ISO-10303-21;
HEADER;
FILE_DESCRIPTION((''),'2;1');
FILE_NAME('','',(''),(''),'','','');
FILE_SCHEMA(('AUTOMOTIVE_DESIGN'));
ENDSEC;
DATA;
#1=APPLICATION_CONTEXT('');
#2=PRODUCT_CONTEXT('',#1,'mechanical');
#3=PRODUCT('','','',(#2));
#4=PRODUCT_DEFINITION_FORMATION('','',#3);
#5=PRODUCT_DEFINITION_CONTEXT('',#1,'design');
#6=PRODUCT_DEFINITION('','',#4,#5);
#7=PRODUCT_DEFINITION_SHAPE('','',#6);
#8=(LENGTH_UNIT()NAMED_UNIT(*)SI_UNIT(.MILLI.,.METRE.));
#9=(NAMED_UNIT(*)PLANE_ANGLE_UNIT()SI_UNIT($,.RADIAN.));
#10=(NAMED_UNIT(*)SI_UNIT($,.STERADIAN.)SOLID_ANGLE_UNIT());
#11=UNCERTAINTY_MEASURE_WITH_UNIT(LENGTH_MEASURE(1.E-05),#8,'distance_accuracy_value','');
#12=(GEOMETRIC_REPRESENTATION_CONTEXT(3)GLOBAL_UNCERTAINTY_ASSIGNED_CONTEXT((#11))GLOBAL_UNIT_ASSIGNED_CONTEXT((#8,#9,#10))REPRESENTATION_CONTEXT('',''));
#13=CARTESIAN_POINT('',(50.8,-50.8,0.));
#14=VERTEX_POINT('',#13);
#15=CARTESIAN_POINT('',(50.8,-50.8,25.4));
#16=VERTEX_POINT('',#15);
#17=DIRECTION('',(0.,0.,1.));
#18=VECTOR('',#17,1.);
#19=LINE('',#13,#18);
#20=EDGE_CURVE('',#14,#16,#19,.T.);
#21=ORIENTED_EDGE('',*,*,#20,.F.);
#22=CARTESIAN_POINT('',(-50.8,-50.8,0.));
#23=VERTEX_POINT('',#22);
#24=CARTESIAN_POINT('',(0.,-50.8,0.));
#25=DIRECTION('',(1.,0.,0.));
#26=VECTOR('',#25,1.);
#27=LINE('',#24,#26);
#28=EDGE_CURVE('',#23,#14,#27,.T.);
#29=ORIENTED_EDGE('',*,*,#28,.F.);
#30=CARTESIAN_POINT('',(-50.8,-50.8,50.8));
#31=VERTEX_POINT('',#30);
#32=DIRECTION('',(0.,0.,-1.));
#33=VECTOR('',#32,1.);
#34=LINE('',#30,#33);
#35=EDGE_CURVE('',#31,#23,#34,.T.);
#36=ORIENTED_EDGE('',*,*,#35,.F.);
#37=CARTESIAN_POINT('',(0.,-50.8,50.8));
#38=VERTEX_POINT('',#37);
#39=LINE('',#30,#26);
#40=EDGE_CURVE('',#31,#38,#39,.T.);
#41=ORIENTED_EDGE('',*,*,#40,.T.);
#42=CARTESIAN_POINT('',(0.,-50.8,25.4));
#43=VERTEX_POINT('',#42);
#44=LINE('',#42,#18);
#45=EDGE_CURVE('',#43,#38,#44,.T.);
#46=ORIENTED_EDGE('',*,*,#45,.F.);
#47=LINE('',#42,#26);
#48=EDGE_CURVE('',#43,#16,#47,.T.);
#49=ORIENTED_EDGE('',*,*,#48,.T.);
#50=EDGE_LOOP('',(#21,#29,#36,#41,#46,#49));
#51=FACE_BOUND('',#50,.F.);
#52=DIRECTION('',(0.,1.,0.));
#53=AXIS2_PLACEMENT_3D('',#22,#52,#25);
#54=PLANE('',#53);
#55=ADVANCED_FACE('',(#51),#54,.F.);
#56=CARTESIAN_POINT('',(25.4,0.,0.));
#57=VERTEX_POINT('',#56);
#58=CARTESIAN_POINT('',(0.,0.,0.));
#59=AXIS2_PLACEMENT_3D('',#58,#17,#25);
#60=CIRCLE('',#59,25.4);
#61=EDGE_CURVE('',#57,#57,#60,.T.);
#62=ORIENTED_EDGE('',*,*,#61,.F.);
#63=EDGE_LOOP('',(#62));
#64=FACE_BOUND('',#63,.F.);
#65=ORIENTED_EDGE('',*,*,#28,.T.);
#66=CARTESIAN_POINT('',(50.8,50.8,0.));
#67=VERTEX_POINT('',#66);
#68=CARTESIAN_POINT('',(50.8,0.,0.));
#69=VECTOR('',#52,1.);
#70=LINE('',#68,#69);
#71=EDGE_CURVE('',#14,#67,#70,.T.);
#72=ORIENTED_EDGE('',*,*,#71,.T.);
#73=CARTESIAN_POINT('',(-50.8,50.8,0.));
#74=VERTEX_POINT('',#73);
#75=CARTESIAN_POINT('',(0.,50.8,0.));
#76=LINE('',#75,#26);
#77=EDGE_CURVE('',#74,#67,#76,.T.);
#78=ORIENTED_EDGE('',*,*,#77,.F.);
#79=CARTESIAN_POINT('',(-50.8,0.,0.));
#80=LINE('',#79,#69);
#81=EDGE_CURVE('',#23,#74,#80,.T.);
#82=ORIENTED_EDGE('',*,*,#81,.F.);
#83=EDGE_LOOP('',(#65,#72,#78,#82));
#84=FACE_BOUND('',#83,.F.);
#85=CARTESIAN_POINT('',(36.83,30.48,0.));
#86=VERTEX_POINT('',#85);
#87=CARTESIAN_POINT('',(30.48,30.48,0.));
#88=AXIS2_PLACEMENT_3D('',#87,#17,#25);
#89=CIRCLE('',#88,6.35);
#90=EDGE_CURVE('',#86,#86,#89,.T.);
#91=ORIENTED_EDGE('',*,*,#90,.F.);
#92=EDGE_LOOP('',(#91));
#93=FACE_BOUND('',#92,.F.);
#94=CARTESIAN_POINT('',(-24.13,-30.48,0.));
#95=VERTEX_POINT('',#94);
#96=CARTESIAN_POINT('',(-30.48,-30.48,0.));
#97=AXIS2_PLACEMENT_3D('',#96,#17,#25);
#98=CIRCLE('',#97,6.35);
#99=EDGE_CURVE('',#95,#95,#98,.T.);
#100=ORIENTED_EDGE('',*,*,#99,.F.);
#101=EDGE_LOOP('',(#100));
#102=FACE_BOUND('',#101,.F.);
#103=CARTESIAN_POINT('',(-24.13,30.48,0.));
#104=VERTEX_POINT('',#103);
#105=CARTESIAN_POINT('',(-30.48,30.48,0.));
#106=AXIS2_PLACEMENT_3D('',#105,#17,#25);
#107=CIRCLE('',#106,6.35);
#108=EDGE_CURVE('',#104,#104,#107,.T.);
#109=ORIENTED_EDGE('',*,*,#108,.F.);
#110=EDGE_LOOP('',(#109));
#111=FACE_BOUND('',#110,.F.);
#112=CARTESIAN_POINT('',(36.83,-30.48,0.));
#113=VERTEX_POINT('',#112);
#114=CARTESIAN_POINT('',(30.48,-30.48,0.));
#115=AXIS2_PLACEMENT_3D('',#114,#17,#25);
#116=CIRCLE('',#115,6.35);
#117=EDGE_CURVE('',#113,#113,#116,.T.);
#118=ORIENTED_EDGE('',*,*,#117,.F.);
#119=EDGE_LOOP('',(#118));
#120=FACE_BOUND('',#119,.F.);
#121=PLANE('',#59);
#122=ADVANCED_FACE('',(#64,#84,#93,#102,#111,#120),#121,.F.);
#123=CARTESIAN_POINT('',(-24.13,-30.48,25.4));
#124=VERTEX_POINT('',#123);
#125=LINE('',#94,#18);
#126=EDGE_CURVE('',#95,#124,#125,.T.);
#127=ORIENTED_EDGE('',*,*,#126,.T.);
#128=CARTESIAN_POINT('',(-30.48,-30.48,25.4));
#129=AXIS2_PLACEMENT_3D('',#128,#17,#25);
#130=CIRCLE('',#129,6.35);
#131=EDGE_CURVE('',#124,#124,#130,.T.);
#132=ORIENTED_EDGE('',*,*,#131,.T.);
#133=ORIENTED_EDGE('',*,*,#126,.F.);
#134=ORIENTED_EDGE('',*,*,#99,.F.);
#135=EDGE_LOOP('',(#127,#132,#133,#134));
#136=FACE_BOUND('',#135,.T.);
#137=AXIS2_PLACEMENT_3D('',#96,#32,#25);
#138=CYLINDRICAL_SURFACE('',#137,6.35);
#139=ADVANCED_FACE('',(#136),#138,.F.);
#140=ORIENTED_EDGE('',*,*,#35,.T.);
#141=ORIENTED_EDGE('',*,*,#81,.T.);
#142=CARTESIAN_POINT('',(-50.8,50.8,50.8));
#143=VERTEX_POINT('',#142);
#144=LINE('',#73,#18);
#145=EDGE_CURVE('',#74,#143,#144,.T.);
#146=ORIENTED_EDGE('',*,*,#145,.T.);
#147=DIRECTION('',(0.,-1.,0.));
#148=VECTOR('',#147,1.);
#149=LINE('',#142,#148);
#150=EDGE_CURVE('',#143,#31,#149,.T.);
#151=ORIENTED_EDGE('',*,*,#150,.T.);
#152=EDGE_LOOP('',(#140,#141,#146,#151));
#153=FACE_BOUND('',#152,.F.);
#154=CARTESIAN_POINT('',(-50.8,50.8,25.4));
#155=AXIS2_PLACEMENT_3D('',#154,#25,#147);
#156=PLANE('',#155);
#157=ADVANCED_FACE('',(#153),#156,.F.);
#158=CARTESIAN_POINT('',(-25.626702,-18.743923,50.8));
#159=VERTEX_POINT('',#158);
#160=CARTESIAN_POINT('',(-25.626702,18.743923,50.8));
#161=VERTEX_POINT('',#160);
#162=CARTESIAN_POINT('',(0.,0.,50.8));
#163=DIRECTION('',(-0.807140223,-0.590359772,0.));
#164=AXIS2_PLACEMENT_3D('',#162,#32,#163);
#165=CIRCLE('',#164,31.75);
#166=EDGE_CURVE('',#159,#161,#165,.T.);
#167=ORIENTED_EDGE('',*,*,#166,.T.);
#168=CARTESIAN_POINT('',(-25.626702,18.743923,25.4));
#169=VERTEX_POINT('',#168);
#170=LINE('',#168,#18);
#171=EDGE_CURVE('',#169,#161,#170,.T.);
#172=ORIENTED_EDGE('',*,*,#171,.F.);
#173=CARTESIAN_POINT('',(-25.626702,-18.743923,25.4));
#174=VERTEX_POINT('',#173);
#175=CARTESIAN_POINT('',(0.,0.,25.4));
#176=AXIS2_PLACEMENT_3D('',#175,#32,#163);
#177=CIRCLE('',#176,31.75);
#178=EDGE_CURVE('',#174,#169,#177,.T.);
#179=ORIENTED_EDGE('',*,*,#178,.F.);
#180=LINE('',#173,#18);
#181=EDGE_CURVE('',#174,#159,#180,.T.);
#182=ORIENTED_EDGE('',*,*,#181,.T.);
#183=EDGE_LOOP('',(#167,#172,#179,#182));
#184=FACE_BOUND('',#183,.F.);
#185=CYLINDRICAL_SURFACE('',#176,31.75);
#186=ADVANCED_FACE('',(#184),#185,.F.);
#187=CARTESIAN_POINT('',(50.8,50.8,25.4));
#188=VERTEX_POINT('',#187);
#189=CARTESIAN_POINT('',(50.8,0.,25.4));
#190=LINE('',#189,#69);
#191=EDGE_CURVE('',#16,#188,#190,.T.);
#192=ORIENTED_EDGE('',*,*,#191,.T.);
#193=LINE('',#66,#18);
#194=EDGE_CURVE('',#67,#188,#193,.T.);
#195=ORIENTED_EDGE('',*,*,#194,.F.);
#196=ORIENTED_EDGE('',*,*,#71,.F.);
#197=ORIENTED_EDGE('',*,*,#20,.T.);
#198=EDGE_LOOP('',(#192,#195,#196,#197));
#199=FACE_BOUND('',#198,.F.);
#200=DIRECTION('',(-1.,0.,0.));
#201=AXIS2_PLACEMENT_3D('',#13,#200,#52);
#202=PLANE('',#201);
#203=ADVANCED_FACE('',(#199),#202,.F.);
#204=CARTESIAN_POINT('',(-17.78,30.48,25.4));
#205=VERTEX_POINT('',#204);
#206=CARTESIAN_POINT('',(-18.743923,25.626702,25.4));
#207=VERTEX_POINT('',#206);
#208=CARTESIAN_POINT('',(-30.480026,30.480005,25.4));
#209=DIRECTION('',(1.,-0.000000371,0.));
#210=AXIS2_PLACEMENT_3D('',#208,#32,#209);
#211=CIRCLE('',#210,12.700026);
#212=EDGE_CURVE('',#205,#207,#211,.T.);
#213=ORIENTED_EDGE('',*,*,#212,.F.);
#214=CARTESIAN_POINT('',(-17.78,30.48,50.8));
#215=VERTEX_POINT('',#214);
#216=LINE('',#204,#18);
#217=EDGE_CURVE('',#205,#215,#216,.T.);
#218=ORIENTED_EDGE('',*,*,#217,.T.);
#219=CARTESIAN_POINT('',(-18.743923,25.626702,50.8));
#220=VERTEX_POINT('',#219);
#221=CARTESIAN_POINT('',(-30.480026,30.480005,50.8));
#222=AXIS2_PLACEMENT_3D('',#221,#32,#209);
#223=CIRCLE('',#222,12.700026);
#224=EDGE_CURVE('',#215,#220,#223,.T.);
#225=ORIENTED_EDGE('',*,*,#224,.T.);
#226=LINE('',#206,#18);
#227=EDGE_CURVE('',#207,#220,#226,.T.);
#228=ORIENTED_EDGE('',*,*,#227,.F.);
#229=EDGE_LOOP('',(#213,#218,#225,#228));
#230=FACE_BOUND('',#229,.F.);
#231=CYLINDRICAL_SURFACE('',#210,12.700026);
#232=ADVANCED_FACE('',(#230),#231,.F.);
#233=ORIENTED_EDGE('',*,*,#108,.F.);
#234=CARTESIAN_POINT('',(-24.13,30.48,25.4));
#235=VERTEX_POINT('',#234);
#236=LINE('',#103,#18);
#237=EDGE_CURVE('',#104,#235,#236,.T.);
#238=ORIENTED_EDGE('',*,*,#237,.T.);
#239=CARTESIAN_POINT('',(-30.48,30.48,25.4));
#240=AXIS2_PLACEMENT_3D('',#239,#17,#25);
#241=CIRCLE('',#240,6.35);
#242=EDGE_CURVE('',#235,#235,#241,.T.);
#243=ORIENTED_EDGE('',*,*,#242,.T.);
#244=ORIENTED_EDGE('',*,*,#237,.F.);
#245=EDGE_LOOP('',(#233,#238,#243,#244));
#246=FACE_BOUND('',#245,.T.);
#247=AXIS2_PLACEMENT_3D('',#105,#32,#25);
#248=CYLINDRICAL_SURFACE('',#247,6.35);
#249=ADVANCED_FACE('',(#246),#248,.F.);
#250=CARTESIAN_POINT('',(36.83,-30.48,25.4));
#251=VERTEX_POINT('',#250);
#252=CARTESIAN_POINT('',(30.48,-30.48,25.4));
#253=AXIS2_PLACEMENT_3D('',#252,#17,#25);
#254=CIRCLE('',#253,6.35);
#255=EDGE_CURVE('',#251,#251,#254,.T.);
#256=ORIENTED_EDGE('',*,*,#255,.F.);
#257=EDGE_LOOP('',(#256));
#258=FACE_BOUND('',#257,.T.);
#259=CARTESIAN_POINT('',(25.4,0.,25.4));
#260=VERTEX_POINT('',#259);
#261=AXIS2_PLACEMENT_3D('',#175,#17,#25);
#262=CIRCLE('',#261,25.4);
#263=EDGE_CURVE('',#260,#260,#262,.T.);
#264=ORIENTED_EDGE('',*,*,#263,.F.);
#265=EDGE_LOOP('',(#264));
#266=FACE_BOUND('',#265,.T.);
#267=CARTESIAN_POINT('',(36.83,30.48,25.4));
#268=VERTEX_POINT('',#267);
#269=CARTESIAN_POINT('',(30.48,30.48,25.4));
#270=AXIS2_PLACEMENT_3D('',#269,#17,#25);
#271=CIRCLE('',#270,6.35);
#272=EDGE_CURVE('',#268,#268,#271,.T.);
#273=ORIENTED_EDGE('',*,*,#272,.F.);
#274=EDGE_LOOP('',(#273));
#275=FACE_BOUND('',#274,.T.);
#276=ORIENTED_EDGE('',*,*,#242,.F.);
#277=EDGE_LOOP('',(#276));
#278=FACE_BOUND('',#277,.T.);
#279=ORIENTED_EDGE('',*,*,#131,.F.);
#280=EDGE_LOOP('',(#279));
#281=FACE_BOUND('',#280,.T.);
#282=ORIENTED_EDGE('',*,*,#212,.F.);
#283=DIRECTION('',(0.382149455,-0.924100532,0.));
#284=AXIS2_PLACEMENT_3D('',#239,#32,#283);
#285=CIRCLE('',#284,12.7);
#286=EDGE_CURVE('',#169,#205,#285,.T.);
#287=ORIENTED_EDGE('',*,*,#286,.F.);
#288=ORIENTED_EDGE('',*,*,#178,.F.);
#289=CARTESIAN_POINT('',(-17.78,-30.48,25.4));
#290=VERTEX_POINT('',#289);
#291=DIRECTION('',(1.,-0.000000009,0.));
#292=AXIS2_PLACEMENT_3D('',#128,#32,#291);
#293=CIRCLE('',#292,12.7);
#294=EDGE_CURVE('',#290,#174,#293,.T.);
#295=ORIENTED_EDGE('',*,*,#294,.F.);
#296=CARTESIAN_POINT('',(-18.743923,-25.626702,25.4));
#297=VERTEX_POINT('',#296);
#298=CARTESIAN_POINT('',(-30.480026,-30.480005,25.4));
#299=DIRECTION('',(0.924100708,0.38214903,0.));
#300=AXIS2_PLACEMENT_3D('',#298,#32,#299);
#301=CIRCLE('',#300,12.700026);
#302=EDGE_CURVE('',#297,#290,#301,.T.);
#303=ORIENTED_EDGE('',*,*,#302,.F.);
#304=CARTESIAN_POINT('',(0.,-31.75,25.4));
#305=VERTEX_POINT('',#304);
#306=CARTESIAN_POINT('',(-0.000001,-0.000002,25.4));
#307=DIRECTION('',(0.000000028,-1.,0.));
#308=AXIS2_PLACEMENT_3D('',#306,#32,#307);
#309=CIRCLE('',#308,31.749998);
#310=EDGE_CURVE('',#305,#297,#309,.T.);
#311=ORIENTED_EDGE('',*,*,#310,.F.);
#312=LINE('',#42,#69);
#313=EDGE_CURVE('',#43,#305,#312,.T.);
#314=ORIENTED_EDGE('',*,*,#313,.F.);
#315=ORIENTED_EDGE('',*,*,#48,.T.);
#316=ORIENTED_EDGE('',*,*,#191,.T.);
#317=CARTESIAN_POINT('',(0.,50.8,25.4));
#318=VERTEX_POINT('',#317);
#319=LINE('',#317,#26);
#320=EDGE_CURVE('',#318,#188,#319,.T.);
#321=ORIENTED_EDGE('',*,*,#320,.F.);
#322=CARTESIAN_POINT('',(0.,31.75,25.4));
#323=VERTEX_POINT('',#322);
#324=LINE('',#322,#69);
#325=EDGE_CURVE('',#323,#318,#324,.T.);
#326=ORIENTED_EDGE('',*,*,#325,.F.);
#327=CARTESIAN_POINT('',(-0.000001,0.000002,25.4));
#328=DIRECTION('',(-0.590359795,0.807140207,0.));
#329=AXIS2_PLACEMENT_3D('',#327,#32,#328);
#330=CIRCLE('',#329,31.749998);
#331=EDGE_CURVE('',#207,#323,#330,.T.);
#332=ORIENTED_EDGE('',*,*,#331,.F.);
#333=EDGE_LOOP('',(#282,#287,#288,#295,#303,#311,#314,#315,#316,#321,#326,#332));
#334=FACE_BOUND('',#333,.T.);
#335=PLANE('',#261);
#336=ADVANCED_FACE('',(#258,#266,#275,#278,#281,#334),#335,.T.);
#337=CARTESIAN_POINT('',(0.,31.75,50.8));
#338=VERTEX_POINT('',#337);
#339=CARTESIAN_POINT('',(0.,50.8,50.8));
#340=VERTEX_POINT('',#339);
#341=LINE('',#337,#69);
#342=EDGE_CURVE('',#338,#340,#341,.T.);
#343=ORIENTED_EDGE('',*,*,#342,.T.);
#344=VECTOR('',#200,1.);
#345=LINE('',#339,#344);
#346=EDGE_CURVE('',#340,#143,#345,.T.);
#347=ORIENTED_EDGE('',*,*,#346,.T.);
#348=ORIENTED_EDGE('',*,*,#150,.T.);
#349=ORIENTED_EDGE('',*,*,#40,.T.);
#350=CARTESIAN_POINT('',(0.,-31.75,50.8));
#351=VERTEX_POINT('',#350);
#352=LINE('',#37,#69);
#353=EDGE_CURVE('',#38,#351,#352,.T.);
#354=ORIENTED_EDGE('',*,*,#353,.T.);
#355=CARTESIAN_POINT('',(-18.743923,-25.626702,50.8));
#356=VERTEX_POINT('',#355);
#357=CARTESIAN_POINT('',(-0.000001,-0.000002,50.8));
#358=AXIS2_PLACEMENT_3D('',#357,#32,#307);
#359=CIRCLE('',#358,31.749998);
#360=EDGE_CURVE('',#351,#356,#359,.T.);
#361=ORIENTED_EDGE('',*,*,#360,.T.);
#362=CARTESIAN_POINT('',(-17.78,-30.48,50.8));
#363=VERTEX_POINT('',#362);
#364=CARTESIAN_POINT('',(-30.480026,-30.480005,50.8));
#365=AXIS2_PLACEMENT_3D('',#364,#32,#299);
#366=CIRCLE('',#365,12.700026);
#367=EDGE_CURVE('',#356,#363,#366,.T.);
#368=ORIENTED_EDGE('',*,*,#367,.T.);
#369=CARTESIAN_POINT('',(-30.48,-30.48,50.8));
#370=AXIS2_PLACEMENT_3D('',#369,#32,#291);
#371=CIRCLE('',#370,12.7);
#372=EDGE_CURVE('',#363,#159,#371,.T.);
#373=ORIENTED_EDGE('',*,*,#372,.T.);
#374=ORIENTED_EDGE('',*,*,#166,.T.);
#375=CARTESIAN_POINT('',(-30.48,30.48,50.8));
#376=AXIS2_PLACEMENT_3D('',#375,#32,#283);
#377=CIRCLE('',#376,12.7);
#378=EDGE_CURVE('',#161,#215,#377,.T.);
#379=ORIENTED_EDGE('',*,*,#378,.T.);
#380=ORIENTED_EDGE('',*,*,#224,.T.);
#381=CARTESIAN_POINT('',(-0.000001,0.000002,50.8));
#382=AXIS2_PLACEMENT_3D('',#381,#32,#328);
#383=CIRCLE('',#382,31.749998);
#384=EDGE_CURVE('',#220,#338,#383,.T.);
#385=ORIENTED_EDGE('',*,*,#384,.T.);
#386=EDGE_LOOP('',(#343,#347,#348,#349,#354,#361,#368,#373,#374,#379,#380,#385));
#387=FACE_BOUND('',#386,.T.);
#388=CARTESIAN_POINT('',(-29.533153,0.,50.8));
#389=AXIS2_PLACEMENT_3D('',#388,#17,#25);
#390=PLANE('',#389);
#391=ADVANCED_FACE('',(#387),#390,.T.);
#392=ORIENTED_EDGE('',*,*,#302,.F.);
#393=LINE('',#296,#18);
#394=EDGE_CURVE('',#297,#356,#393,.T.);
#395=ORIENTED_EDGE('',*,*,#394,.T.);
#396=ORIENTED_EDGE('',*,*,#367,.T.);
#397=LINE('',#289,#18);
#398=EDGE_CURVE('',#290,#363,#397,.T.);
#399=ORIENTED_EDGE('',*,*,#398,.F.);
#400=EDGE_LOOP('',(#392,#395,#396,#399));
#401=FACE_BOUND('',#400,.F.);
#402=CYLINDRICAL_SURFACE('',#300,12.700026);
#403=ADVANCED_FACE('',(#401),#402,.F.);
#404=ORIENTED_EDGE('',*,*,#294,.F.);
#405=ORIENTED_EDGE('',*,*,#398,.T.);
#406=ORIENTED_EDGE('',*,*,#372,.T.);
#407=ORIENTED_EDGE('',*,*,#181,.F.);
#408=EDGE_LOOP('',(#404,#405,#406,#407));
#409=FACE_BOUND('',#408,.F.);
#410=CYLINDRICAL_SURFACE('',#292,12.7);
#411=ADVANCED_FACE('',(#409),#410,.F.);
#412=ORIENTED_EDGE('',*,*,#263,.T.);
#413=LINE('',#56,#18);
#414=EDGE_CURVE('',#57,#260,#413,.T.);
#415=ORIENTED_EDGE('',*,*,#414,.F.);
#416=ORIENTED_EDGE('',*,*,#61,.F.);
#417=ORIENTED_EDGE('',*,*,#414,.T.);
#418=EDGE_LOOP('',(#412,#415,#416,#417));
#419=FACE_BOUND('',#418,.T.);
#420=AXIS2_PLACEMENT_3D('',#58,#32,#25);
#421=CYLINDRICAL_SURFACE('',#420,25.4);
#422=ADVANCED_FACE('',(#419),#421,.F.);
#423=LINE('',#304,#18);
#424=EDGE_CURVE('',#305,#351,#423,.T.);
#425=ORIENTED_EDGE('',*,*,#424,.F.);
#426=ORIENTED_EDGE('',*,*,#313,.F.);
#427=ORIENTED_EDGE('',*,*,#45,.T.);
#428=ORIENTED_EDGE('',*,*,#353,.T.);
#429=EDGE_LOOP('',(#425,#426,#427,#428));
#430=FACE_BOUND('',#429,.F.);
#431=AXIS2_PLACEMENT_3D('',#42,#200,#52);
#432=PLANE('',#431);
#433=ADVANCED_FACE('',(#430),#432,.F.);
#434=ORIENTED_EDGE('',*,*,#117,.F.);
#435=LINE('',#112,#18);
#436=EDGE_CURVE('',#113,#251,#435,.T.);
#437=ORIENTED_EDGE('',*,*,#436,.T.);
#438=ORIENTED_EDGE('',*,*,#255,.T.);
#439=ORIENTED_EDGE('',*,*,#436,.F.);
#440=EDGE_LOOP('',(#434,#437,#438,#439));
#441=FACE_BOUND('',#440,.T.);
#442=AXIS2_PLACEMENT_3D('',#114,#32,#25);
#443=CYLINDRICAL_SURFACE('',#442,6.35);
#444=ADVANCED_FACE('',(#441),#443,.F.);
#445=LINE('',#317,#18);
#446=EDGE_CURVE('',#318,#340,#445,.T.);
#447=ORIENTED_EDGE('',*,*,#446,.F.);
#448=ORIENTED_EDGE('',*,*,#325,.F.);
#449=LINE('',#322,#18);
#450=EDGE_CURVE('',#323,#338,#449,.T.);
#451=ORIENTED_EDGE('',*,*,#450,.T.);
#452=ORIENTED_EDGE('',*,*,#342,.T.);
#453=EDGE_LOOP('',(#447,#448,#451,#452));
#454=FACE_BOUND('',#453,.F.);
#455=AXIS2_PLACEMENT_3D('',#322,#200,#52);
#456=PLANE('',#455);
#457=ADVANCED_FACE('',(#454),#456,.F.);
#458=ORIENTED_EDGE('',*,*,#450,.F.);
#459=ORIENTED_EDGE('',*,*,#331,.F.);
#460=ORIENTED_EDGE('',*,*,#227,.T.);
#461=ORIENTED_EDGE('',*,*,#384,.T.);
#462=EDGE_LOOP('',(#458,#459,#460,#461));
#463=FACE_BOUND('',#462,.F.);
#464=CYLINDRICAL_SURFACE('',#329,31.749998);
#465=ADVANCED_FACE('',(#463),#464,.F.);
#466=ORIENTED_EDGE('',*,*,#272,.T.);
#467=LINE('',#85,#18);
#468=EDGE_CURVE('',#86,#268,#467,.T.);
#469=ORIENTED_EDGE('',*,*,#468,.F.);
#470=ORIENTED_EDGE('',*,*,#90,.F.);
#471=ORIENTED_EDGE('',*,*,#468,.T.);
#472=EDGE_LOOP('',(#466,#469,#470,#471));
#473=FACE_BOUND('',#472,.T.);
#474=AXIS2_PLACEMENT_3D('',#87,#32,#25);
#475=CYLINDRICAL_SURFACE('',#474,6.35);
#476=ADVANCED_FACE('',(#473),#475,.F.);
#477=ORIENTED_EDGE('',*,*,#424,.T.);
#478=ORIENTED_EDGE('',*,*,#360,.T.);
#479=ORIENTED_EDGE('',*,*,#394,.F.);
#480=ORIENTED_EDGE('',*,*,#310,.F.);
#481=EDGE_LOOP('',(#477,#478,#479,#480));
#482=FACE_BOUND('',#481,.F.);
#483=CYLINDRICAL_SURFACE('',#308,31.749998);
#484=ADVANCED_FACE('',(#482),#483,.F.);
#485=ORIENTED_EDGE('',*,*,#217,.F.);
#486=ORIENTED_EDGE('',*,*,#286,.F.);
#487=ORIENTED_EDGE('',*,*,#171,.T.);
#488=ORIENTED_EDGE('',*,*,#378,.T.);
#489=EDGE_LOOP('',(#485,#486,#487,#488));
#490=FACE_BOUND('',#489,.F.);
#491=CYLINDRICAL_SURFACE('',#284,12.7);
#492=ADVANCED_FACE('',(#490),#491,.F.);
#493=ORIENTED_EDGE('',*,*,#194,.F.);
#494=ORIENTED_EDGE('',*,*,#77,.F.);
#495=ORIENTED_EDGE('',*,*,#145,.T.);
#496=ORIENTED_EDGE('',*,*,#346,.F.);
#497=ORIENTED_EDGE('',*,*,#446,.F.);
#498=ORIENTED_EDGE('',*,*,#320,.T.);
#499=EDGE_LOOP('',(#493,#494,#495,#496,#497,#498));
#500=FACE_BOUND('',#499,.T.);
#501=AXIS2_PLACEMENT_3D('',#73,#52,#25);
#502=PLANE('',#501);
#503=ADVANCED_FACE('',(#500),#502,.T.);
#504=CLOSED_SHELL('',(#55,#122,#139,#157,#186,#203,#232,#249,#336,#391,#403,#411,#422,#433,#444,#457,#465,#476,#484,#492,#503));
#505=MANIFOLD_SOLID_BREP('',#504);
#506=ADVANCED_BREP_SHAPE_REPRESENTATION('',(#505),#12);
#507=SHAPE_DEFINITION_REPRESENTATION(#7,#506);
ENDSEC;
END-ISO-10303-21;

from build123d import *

# Parameters (mm, degrees)
F0_W     = 101.6
F0_H     = 101.6
F0_R     = 6.35
F0_R_2   = 25.4
F1_DEPTH = 25.4
F3_DEPTH = 25.4


with BuildPart() as f1:
    # F0 (on Top) → F1 (new body)
    with BuildSketch(Plane.XY):
        Rectangle(F0_W, F0_H)
        with Locations((-30.48, -30.48)):
            Circle(F0_R, mode=Mode.SUBTRACT)
        Circle(F0_R_2, mode=Mode.SUBTRACT)
        with Locations((30.48, -30.48)):
            Circle(F0_R, mode=Mode.SUBTRACT)
        with Locations((-30.48, 30.48)):
            Circle(F0_R, mode=Mode.SUBTRACT)
        with Locations((30.48, 30.48)):
            Circle(F0_R, mode=Mode.SUBTRACT)
    extrude(amount=F1_DEPTH)

    # F2 (on face) → F3 (join)
    with BuildSketch(Plane.XY.offset(25.4)):
        with BuildLine():
            ThreePointArc((-25.626702, 18.743923), (-41.037625, 37.538793), (-17.78, 30.48))
            ThreePointArc((-17.78, 30.48), (-18.023312, 28.005952), (-18.743923, 25.626702))
            ThreePointArc((-18.743923, 25.626702), (-9.859379, 30.180377), (0, 31.75))
            Line((0, 31.75), (0, 50.8))
            Line((0, 50.8), (-50.8, 50.8))
            Line((-50.8, 50.8), (-50.8, -50.8))
            Line((-50.8, -50.8), (0, -50.8))
            Line((0, -50.8), (0, -31.75))
            ThreePointArc((0, -31.75), (-9.859379, -30.180377), (-18.743923, -25.626702))
            ThreePointArc((-18.743923, -25.626702), (-18.023312, -28.005952), (-17.78, -30.48))
            ThreePointArc((-17.78, -30.48), (-41.037625, -37.538793), (-25.626702, -18.743923))
            ThreePointArc((-25.626702, -18.743923), (-31.75, 0), (-25.626702, 18.743923))
        make_face()
    extrude(amount=F3_DEPTH)


solid = f1.part
